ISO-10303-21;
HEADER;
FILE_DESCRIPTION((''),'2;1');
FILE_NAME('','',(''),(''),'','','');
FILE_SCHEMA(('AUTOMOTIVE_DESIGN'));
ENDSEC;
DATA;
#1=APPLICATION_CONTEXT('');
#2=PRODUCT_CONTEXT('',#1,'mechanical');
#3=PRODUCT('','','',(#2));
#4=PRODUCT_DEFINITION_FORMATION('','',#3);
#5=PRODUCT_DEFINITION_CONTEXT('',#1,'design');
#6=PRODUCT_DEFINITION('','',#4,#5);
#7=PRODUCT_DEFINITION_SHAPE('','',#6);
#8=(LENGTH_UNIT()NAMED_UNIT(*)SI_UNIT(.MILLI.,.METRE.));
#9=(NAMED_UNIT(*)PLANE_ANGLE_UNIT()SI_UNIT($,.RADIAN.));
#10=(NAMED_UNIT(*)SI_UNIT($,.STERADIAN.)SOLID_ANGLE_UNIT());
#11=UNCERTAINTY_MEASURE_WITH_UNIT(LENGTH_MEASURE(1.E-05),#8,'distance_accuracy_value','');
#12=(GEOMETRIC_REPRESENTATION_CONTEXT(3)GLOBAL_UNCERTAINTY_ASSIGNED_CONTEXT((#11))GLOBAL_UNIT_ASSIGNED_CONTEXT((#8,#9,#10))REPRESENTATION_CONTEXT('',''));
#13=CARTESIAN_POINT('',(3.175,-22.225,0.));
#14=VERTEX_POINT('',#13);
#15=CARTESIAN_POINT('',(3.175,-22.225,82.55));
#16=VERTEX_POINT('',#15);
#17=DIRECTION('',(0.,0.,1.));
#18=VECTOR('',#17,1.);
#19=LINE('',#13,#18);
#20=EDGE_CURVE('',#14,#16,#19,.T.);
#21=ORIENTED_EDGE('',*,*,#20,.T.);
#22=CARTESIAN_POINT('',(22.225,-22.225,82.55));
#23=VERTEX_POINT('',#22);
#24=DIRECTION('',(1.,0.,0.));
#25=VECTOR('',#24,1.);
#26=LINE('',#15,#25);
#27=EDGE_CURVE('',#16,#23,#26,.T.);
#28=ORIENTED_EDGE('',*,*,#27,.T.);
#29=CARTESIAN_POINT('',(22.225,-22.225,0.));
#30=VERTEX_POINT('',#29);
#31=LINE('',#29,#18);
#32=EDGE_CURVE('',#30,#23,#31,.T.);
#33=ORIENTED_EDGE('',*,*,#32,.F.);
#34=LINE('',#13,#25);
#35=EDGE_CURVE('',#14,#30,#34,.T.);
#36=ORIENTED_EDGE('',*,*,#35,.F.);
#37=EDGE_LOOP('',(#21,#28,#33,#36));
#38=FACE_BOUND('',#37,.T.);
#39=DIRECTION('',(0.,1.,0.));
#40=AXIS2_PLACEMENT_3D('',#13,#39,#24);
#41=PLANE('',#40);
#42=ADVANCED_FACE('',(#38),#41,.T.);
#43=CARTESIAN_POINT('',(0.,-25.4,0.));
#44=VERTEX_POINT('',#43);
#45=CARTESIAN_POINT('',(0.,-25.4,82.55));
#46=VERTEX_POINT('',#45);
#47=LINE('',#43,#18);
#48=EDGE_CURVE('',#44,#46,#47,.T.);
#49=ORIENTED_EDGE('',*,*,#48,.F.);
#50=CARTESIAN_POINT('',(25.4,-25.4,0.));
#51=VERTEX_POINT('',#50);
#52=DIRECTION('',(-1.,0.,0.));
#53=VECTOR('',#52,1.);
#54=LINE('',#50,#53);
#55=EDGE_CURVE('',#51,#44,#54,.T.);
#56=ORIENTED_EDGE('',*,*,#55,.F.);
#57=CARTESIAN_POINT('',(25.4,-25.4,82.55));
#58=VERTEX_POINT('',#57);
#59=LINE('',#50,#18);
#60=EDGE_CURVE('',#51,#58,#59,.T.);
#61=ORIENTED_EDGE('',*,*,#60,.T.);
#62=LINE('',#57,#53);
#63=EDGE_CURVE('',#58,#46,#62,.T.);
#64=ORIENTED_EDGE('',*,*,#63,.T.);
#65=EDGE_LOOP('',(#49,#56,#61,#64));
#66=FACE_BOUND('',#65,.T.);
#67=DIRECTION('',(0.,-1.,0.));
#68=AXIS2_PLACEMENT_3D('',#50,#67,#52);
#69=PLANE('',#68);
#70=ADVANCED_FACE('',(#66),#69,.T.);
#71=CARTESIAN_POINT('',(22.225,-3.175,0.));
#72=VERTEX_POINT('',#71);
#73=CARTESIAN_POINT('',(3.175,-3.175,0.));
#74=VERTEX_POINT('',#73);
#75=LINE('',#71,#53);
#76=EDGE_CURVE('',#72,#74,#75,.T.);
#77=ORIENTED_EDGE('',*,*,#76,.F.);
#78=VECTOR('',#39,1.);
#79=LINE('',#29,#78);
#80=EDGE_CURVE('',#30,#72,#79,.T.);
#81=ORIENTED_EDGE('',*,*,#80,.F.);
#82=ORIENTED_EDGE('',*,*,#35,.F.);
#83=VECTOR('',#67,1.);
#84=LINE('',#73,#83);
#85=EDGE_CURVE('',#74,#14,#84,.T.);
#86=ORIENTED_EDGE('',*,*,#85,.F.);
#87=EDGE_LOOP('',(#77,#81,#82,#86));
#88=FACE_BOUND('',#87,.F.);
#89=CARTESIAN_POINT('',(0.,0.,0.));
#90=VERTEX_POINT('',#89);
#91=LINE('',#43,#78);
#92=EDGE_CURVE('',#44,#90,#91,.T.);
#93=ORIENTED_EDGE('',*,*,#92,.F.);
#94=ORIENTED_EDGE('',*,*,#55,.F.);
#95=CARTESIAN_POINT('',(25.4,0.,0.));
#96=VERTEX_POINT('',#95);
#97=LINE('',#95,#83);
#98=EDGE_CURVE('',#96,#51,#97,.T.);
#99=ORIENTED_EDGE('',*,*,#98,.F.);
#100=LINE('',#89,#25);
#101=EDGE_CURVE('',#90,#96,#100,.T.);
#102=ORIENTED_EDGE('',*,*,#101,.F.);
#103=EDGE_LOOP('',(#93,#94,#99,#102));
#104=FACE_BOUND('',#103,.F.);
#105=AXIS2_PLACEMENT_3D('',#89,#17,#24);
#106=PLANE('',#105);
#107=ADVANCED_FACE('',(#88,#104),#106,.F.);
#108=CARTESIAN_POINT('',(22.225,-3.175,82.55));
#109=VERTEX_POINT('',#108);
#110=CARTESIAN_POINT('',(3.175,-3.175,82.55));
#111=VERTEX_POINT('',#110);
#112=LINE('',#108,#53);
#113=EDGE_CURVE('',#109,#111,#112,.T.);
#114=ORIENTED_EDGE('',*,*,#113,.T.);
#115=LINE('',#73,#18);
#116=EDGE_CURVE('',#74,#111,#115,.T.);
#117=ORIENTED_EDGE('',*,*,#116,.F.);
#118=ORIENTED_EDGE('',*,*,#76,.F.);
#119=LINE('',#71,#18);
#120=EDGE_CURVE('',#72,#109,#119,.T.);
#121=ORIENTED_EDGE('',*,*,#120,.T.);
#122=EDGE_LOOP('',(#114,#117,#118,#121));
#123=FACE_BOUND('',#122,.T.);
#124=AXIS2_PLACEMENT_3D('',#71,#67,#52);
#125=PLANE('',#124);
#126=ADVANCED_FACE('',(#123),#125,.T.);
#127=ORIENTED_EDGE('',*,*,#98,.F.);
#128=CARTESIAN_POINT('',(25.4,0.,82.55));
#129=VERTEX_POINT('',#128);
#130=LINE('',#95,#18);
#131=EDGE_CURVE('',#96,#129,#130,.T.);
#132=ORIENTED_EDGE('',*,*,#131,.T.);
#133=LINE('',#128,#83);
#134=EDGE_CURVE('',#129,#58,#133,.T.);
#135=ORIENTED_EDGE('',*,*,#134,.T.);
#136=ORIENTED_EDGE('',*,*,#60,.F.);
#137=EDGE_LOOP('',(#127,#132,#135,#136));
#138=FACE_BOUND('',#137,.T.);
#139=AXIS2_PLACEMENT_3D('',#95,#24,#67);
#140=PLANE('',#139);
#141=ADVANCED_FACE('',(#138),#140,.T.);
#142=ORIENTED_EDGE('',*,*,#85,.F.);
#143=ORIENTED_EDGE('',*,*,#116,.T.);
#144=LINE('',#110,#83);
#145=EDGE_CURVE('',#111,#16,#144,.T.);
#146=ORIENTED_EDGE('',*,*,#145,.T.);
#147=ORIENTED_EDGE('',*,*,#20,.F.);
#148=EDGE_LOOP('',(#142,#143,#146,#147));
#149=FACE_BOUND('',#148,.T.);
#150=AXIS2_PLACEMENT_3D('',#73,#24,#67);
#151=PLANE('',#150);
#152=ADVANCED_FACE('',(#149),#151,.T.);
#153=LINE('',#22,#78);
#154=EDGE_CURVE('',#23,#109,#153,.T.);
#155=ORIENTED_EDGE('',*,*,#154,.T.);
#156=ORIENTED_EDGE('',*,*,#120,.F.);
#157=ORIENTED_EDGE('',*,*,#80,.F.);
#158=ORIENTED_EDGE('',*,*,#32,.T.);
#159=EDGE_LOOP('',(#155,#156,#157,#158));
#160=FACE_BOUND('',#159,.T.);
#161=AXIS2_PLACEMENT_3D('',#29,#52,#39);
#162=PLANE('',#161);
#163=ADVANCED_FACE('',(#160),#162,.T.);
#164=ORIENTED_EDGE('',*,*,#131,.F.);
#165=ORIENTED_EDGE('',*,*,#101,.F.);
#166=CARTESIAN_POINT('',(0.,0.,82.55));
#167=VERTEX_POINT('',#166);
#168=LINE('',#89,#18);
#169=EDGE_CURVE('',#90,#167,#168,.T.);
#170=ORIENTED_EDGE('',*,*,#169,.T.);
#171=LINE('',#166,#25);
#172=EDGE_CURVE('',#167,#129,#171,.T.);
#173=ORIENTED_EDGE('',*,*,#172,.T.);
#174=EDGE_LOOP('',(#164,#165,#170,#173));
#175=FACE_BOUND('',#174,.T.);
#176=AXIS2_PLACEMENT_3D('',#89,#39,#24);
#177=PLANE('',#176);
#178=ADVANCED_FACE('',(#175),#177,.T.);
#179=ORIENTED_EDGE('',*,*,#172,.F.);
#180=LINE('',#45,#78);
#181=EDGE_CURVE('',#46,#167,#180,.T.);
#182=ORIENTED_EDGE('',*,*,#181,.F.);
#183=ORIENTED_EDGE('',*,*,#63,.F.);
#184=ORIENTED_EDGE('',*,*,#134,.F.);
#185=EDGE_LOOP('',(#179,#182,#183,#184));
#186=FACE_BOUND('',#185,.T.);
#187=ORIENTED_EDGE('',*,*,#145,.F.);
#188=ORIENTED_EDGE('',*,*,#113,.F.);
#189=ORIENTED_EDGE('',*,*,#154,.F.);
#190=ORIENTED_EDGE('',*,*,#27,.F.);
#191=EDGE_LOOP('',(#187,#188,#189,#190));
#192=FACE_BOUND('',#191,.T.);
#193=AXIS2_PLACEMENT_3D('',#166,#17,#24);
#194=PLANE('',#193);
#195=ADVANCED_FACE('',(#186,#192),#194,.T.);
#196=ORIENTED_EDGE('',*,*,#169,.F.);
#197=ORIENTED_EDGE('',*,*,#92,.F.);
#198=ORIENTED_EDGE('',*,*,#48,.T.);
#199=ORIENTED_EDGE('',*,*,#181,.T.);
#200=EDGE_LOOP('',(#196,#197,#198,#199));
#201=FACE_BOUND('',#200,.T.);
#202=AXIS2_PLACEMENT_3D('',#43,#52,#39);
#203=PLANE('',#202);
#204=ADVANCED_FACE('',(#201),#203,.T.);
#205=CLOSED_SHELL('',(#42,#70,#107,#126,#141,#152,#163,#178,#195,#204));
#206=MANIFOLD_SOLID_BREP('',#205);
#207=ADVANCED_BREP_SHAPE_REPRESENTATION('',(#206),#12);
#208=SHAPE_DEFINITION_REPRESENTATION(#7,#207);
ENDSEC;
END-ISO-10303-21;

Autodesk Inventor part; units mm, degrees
ref_plane "YZ Plane" through (0, 0, 0) normal (1, 0, 0) x (0, 1, 0)
ref_plane "XZ Plane" through (0, 0, 0) normal (0, 1, 0) x (-1, 0, 0)
ref_plane "XY Plane" through (0, 0, 0) normal (0, 0, 1) x (1, 0, 0)
sketch "Sketch1" plane through (0, 0, 0) normal (0, 0, 1) x (1, 0, 0)
  line L0 (0, 0) -> (25.4, 0)
  line L1 (25.4, 0) -> (25.4, -25.4)
  line L2 (25.4, -25.4) -> (0, -25.4)
  line L3 (0, -25.4) -> (0, 0)
  line L4 (22.225, -3.175) -> (3.175, -3.175)
  line L5 (3.175, -3.175) -> (3.175, -22.225)
  line L6 (3.175, -22.225) -> (22.225, -22.225)
  line L7 (22.225, -22.225) -> (22.225, -3.175)
  dimension "d0" = 25.4
  dimension "d1" = 25.4
  dimension "d2" = 3.175
extrude "Extrusion1" add sketch "Sketch1" along normal blind 82.55
properties part number "B tall"
